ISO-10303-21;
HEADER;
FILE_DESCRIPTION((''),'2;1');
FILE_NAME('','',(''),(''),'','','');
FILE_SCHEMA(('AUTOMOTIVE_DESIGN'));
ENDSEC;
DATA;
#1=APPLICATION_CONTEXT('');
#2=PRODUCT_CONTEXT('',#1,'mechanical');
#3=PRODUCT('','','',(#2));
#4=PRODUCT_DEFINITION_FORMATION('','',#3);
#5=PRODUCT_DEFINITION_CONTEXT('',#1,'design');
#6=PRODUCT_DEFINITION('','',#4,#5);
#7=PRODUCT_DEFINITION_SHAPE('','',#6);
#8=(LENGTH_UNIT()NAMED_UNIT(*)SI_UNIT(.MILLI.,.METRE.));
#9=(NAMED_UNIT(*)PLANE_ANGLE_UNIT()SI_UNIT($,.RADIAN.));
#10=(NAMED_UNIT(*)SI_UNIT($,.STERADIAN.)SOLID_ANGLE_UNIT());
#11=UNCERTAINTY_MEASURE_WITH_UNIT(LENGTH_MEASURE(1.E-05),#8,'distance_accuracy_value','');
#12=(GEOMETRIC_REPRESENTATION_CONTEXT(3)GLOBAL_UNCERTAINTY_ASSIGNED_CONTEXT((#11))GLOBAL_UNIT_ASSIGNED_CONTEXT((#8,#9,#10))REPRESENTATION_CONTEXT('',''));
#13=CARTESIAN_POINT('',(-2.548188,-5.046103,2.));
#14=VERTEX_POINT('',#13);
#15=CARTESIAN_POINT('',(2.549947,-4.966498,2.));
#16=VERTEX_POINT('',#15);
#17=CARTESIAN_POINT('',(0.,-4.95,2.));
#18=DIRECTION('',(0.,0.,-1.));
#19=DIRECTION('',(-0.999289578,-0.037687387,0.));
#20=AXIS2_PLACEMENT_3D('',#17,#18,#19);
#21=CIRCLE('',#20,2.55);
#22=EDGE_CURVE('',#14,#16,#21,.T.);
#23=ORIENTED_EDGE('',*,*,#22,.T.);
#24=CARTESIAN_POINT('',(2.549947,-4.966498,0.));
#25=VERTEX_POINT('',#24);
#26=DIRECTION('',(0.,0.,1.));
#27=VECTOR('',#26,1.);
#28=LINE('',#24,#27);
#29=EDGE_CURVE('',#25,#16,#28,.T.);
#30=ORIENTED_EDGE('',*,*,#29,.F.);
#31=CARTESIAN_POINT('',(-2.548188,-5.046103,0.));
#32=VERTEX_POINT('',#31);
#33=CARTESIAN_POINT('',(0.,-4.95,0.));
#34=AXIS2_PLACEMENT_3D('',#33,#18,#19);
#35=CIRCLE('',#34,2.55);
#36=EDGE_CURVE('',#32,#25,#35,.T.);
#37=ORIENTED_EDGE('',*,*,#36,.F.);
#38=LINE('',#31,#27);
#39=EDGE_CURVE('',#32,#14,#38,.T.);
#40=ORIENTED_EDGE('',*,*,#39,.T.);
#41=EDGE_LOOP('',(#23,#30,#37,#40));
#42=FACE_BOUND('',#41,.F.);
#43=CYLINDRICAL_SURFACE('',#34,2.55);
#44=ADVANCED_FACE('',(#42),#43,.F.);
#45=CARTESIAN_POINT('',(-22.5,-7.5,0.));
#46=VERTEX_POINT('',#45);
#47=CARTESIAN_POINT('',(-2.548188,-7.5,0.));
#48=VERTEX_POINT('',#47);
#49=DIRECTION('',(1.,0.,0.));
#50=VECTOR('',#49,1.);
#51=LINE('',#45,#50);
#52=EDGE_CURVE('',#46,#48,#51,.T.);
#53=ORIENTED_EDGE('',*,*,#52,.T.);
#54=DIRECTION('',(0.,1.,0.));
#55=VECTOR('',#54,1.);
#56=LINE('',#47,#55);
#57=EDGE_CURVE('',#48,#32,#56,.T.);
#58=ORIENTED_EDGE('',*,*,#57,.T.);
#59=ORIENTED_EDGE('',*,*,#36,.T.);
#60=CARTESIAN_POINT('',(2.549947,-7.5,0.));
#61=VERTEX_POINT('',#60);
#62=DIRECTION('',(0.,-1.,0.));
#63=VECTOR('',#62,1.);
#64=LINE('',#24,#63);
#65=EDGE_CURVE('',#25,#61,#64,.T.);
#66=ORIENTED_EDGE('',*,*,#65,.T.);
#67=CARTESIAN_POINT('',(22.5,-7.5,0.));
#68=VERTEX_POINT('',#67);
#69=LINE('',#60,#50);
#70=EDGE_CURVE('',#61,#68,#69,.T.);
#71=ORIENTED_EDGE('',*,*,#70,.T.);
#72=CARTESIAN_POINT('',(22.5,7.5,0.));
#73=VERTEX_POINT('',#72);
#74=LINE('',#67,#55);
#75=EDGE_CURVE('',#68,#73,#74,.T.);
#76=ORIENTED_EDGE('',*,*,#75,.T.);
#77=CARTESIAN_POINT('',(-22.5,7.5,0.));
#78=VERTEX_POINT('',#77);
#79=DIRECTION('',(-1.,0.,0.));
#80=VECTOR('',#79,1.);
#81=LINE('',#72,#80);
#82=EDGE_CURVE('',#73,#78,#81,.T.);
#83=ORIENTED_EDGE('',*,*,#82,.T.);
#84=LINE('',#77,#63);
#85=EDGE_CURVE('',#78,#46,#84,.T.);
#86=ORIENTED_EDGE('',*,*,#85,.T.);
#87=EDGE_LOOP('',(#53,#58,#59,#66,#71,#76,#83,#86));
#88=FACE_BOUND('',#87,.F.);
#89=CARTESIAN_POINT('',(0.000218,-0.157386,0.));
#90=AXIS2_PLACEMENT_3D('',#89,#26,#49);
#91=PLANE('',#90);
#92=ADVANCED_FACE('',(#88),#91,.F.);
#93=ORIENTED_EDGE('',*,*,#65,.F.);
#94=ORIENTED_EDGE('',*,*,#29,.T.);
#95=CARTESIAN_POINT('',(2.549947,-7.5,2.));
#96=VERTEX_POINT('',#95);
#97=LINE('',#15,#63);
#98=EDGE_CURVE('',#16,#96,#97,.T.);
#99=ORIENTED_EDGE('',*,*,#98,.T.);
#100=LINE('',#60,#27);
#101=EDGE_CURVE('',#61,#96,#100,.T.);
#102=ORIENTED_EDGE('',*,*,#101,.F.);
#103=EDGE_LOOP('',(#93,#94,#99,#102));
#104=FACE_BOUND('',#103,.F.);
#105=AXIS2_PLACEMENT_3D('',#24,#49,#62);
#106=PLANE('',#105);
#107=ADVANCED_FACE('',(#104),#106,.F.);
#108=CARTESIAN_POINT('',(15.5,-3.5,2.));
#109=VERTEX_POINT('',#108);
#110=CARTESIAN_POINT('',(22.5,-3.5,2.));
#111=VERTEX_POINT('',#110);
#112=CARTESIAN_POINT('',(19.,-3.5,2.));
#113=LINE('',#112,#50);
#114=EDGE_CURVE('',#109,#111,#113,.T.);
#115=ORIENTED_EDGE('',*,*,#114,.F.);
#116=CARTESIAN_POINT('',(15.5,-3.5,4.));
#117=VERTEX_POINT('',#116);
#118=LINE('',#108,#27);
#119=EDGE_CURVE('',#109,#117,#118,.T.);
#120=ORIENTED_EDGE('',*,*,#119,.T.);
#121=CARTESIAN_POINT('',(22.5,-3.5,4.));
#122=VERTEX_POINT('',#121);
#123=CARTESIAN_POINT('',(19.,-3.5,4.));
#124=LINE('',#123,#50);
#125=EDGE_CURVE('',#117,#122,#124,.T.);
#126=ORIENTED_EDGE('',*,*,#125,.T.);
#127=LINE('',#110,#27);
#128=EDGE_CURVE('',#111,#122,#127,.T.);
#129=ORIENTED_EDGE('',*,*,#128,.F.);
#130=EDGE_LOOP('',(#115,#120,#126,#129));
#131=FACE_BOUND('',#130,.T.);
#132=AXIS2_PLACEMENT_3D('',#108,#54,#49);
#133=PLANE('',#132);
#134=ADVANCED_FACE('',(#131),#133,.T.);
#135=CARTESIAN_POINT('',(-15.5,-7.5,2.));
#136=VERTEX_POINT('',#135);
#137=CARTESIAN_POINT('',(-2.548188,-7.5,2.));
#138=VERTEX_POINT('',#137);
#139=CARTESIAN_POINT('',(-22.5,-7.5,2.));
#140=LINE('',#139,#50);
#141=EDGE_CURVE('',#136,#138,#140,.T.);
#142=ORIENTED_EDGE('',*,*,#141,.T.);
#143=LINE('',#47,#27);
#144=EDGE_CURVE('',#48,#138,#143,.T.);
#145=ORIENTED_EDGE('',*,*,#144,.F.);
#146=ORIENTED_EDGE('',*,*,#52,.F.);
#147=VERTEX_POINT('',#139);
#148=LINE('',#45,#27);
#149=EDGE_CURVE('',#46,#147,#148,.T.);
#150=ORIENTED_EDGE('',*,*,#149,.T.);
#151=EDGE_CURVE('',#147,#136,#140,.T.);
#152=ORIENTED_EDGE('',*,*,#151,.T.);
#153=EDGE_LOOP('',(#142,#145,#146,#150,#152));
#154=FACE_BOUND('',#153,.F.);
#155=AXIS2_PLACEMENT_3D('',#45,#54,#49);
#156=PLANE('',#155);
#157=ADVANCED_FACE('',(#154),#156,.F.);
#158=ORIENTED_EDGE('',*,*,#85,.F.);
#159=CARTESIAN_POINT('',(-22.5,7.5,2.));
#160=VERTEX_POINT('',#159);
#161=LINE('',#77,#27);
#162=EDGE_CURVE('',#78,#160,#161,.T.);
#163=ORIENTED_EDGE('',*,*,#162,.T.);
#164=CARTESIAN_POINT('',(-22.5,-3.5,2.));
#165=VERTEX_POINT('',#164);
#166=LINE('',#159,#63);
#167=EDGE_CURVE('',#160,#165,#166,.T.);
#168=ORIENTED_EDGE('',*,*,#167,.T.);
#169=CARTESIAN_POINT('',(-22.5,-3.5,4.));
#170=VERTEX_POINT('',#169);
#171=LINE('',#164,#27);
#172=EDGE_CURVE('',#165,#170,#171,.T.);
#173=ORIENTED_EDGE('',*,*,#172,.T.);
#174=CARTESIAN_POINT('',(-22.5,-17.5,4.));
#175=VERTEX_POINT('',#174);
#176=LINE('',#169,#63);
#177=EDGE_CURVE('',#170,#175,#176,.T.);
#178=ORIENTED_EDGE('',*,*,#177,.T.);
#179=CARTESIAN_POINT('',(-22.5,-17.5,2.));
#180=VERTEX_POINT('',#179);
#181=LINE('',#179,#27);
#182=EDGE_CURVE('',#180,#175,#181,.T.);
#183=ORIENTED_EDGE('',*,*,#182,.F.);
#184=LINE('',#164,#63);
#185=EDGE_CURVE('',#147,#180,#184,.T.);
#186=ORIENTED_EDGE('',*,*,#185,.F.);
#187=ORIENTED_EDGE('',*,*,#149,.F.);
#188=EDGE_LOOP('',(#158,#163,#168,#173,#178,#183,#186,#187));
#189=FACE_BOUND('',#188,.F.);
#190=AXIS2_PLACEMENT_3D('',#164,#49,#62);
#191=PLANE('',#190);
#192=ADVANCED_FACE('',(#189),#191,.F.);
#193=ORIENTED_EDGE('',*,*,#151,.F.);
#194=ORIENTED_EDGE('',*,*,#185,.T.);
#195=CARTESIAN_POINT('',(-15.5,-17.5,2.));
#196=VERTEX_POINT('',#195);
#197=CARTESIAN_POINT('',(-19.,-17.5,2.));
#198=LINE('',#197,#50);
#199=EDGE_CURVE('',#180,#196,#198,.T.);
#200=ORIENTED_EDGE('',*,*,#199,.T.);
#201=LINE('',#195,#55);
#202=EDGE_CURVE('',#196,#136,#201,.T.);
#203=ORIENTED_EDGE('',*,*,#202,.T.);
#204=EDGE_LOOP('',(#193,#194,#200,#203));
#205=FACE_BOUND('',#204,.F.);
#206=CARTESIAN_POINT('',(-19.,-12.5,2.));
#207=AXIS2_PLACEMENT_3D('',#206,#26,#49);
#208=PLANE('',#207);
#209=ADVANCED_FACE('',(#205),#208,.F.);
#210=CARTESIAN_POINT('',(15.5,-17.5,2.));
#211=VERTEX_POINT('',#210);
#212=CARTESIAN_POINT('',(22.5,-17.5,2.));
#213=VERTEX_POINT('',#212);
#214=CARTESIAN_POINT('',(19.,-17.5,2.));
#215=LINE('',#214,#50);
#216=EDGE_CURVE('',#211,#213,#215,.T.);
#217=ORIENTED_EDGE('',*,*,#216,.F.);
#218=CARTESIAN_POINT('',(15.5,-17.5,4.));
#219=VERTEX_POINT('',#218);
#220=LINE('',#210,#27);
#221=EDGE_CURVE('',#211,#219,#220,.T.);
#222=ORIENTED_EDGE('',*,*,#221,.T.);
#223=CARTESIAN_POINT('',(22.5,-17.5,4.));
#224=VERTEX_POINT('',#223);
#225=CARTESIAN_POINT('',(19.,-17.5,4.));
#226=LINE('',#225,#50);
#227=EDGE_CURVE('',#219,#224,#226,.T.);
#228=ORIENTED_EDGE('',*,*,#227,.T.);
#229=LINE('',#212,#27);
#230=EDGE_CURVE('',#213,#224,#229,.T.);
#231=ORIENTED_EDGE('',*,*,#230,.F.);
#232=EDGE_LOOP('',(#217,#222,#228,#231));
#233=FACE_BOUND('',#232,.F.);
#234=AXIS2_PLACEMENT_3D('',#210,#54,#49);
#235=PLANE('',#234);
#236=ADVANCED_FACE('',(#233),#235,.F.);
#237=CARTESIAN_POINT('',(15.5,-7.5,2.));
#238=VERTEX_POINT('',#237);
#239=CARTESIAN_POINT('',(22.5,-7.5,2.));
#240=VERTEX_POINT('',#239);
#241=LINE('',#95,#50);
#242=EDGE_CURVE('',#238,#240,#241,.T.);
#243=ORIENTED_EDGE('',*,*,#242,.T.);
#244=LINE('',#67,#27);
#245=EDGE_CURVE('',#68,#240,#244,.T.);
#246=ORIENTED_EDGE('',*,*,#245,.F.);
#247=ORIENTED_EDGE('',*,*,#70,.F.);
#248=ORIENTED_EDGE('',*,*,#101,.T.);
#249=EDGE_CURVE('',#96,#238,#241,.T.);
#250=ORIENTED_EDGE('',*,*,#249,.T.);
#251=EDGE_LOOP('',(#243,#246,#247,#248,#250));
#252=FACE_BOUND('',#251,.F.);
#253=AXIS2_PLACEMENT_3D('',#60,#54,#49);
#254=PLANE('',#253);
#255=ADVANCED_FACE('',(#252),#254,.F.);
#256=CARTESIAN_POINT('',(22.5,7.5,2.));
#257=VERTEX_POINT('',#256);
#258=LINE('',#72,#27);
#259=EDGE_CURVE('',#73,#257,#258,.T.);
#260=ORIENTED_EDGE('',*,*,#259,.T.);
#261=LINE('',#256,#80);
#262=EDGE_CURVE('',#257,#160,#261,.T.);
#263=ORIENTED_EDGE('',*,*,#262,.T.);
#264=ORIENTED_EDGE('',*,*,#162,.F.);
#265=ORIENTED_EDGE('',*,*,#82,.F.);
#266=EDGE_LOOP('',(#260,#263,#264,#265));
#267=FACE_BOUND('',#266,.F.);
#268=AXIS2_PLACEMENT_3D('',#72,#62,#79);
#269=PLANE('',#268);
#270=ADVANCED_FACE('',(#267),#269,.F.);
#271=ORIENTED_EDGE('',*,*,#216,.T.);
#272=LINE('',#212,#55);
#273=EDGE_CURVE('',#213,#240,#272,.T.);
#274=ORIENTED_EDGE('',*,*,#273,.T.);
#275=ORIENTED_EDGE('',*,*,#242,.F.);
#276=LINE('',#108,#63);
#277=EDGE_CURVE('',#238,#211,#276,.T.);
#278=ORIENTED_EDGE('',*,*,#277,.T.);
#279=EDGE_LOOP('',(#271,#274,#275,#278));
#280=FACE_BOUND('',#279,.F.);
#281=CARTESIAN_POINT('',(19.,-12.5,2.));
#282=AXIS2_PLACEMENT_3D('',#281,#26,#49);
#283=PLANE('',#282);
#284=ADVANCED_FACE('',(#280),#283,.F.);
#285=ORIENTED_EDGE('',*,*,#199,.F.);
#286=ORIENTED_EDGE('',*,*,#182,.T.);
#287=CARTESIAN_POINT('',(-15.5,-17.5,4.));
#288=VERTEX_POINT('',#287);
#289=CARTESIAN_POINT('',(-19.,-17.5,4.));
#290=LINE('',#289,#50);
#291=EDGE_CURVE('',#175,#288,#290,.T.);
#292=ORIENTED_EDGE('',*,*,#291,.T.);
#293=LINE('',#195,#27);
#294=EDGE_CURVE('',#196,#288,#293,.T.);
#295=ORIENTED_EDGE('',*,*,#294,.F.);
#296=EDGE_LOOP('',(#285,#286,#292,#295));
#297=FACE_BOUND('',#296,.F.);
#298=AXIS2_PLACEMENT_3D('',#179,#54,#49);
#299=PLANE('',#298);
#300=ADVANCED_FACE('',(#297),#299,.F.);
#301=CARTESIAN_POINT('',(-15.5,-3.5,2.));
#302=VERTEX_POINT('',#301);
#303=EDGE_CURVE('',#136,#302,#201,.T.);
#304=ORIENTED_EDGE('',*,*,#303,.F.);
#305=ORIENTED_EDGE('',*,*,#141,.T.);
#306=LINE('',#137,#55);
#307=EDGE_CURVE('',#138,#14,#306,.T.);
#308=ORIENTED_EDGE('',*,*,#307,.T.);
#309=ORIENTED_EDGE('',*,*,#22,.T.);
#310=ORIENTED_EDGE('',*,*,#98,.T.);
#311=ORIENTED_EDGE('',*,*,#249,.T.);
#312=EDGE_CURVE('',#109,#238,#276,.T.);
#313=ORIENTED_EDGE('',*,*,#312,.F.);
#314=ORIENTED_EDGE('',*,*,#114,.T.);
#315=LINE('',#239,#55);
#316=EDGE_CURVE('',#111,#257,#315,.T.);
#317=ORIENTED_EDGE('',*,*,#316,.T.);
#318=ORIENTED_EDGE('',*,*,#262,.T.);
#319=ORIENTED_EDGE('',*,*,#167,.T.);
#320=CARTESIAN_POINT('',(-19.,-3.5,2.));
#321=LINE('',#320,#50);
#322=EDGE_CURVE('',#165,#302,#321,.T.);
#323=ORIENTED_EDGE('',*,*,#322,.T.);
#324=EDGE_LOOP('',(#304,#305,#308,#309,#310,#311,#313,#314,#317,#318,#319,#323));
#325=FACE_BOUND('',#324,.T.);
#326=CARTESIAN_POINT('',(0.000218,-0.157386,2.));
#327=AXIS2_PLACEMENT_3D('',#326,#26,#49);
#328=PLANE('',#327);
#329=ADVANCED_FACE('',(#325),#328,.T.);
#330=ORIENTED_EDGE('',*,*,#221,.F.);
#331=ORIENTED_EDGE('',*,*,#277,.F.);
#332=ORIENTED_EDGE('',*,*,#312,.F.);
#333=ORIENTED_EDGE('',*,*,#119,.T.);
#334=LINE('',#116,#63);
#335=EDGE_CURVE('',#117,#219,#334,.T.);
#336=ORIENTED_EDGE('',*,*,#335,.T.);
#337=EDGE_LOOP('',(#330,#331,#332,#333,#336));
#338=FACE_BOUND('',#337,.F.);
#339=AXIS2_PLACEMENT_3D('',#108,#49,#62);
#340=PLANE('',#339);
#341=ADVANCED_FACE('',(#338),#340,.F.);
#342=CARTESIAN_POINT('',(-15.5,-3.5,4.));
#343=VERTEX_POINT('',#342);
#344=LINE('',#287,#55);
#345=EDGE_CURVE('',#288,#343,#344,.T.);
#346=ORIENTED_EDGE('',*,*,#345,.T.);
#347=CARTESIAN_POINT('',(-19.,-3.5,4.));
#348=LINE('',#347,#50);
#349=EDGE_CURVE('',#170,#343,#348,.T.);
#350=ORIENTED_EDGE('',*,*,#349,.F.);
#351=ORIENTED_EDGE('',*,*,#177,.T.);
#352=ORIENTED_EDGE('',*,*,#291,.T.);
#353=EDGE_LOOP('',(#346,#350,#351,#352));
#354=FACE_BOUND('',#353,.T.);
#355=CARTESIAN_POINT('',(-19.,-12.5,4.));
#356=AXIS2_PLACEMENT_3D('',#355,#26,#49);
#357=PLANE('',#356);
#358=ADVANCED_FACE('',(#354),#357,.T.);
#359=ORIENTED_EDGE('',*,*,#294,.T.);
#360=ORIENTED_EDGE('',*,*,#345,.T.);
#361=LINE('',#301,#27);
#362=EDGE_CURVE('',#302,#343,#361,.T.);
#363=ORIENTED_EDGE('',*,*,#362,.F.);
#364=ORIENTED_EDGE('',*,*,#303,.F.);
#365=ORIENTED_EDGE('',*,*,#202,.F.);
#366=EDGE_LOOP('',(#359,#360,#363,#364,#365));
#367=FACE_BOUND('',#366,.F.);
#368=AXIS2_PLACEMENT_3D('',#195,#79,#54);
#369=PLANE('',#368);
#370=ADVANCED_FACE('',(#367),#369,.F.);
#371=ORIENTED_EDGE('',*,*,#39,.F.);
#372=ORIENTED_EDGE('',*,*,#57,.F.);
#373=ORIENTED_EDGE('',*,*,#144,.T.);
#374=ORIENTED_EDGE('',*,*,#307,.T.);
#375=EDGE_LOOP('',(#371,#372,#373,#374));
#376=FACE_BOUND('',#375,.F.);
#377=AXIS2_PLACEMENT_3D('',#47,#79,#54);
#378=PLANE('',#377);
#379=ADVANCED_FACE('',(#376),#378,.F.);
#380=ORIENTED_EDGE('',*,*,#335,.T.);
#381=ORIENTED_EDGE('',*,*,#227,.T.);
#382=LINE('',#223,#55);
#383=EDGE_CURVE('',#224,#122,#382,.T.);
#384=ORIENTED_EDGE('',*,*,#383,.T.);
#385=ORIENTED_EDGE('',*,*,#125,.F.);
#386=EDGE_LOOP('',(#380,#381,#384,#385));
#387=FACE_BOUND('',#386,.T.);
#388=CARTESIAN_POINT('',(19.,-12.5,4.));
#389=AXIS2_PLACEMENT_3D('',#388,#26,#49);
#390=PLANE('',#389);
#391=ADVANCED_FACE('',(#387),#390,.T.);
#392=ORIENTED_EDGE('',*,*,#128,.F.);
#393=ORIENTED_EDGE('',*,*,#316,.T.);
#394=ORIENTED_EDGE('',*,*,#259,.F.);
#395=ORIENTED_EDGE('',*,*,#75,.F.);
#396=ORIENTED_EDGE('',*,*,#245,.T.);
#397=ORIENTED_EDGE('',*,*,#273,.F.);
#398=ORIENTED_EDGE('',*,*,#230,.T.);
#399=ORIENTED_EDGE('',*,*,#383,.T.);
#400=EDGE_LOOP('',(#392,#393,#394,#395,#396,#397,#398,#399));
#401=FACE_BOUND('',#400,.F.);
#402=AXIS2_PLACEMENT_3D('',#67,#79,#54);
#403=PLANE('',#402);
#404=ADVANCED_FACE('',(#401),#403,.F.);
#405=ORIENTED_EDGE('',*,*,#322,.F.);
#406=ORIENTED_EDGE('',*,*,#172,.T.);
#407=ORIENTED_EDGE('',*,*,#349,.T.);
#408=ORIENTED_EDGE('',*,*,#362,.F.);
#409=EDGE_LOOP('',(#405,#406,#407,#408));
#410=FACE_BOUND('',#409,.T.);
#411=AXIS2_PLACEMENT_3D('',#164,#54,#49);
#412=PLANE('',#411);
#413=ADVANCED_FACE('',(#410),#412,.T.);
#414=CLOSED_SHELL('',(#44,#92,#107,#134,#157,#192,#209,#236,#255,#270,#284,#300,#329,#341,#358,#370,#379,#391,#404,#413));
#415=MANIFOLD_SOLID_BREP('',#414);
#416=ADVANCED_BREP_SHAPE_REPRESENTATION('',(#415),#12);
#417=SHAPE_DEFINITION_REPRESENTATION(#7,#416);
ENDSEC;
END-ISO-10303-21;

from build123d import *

# Parameters (mm, degrees)
F1_DEPTH = 2
F2_W     = 7
F2_H     = 10
F2_H_2   = 4
F3_DEPTH = 2


with BuildPart() as f1:
    # F0 (on Top) → F1 (new body)
    with BuildSketch(Plane.XY):
        with BuildLine():
            Line((2.549947, -7.5), (22.5, -7.5))
            Line((22.5, -7.5), (22.5, 7.5))
            Line((22.5, 7.5), (-22.5, 7.5))
            Line((-22.5, 7.5), (-22.5, -7.5))
            Line((-22.5, -7.5), (-2.548188, -7.5))
            Line((-2.548188, -7.5), (-2.548188, -5.046103))
            ThreePointArc((-2.548188, -5.046103), (-0.039812, -2.400311), (2.549947, -4.966498))
            Line((2.549947, -4.966498), (2.549947, -7.5))
        make_face()
    extrude(amount=F1_DEPTH)

    # F2 (on face) → F3 (join)
    with BuildSketch(Plane.XY.offset(2)):
        with Locations((-19, -12.5)):
            Rectangle(F2_W, F2_H)
        with Locations((-19, -5.5)):
            Rectangle(F2_W, F2_H_2)
        with Locations((19, -12.5)):
            Rectangle(F2_W, F2_H)
        with Locations((19, -5.5)):
            Rectangle(F2_W, F2_H_2)
    extrude(amount=F3_DEPTH)


solid = f1.part
